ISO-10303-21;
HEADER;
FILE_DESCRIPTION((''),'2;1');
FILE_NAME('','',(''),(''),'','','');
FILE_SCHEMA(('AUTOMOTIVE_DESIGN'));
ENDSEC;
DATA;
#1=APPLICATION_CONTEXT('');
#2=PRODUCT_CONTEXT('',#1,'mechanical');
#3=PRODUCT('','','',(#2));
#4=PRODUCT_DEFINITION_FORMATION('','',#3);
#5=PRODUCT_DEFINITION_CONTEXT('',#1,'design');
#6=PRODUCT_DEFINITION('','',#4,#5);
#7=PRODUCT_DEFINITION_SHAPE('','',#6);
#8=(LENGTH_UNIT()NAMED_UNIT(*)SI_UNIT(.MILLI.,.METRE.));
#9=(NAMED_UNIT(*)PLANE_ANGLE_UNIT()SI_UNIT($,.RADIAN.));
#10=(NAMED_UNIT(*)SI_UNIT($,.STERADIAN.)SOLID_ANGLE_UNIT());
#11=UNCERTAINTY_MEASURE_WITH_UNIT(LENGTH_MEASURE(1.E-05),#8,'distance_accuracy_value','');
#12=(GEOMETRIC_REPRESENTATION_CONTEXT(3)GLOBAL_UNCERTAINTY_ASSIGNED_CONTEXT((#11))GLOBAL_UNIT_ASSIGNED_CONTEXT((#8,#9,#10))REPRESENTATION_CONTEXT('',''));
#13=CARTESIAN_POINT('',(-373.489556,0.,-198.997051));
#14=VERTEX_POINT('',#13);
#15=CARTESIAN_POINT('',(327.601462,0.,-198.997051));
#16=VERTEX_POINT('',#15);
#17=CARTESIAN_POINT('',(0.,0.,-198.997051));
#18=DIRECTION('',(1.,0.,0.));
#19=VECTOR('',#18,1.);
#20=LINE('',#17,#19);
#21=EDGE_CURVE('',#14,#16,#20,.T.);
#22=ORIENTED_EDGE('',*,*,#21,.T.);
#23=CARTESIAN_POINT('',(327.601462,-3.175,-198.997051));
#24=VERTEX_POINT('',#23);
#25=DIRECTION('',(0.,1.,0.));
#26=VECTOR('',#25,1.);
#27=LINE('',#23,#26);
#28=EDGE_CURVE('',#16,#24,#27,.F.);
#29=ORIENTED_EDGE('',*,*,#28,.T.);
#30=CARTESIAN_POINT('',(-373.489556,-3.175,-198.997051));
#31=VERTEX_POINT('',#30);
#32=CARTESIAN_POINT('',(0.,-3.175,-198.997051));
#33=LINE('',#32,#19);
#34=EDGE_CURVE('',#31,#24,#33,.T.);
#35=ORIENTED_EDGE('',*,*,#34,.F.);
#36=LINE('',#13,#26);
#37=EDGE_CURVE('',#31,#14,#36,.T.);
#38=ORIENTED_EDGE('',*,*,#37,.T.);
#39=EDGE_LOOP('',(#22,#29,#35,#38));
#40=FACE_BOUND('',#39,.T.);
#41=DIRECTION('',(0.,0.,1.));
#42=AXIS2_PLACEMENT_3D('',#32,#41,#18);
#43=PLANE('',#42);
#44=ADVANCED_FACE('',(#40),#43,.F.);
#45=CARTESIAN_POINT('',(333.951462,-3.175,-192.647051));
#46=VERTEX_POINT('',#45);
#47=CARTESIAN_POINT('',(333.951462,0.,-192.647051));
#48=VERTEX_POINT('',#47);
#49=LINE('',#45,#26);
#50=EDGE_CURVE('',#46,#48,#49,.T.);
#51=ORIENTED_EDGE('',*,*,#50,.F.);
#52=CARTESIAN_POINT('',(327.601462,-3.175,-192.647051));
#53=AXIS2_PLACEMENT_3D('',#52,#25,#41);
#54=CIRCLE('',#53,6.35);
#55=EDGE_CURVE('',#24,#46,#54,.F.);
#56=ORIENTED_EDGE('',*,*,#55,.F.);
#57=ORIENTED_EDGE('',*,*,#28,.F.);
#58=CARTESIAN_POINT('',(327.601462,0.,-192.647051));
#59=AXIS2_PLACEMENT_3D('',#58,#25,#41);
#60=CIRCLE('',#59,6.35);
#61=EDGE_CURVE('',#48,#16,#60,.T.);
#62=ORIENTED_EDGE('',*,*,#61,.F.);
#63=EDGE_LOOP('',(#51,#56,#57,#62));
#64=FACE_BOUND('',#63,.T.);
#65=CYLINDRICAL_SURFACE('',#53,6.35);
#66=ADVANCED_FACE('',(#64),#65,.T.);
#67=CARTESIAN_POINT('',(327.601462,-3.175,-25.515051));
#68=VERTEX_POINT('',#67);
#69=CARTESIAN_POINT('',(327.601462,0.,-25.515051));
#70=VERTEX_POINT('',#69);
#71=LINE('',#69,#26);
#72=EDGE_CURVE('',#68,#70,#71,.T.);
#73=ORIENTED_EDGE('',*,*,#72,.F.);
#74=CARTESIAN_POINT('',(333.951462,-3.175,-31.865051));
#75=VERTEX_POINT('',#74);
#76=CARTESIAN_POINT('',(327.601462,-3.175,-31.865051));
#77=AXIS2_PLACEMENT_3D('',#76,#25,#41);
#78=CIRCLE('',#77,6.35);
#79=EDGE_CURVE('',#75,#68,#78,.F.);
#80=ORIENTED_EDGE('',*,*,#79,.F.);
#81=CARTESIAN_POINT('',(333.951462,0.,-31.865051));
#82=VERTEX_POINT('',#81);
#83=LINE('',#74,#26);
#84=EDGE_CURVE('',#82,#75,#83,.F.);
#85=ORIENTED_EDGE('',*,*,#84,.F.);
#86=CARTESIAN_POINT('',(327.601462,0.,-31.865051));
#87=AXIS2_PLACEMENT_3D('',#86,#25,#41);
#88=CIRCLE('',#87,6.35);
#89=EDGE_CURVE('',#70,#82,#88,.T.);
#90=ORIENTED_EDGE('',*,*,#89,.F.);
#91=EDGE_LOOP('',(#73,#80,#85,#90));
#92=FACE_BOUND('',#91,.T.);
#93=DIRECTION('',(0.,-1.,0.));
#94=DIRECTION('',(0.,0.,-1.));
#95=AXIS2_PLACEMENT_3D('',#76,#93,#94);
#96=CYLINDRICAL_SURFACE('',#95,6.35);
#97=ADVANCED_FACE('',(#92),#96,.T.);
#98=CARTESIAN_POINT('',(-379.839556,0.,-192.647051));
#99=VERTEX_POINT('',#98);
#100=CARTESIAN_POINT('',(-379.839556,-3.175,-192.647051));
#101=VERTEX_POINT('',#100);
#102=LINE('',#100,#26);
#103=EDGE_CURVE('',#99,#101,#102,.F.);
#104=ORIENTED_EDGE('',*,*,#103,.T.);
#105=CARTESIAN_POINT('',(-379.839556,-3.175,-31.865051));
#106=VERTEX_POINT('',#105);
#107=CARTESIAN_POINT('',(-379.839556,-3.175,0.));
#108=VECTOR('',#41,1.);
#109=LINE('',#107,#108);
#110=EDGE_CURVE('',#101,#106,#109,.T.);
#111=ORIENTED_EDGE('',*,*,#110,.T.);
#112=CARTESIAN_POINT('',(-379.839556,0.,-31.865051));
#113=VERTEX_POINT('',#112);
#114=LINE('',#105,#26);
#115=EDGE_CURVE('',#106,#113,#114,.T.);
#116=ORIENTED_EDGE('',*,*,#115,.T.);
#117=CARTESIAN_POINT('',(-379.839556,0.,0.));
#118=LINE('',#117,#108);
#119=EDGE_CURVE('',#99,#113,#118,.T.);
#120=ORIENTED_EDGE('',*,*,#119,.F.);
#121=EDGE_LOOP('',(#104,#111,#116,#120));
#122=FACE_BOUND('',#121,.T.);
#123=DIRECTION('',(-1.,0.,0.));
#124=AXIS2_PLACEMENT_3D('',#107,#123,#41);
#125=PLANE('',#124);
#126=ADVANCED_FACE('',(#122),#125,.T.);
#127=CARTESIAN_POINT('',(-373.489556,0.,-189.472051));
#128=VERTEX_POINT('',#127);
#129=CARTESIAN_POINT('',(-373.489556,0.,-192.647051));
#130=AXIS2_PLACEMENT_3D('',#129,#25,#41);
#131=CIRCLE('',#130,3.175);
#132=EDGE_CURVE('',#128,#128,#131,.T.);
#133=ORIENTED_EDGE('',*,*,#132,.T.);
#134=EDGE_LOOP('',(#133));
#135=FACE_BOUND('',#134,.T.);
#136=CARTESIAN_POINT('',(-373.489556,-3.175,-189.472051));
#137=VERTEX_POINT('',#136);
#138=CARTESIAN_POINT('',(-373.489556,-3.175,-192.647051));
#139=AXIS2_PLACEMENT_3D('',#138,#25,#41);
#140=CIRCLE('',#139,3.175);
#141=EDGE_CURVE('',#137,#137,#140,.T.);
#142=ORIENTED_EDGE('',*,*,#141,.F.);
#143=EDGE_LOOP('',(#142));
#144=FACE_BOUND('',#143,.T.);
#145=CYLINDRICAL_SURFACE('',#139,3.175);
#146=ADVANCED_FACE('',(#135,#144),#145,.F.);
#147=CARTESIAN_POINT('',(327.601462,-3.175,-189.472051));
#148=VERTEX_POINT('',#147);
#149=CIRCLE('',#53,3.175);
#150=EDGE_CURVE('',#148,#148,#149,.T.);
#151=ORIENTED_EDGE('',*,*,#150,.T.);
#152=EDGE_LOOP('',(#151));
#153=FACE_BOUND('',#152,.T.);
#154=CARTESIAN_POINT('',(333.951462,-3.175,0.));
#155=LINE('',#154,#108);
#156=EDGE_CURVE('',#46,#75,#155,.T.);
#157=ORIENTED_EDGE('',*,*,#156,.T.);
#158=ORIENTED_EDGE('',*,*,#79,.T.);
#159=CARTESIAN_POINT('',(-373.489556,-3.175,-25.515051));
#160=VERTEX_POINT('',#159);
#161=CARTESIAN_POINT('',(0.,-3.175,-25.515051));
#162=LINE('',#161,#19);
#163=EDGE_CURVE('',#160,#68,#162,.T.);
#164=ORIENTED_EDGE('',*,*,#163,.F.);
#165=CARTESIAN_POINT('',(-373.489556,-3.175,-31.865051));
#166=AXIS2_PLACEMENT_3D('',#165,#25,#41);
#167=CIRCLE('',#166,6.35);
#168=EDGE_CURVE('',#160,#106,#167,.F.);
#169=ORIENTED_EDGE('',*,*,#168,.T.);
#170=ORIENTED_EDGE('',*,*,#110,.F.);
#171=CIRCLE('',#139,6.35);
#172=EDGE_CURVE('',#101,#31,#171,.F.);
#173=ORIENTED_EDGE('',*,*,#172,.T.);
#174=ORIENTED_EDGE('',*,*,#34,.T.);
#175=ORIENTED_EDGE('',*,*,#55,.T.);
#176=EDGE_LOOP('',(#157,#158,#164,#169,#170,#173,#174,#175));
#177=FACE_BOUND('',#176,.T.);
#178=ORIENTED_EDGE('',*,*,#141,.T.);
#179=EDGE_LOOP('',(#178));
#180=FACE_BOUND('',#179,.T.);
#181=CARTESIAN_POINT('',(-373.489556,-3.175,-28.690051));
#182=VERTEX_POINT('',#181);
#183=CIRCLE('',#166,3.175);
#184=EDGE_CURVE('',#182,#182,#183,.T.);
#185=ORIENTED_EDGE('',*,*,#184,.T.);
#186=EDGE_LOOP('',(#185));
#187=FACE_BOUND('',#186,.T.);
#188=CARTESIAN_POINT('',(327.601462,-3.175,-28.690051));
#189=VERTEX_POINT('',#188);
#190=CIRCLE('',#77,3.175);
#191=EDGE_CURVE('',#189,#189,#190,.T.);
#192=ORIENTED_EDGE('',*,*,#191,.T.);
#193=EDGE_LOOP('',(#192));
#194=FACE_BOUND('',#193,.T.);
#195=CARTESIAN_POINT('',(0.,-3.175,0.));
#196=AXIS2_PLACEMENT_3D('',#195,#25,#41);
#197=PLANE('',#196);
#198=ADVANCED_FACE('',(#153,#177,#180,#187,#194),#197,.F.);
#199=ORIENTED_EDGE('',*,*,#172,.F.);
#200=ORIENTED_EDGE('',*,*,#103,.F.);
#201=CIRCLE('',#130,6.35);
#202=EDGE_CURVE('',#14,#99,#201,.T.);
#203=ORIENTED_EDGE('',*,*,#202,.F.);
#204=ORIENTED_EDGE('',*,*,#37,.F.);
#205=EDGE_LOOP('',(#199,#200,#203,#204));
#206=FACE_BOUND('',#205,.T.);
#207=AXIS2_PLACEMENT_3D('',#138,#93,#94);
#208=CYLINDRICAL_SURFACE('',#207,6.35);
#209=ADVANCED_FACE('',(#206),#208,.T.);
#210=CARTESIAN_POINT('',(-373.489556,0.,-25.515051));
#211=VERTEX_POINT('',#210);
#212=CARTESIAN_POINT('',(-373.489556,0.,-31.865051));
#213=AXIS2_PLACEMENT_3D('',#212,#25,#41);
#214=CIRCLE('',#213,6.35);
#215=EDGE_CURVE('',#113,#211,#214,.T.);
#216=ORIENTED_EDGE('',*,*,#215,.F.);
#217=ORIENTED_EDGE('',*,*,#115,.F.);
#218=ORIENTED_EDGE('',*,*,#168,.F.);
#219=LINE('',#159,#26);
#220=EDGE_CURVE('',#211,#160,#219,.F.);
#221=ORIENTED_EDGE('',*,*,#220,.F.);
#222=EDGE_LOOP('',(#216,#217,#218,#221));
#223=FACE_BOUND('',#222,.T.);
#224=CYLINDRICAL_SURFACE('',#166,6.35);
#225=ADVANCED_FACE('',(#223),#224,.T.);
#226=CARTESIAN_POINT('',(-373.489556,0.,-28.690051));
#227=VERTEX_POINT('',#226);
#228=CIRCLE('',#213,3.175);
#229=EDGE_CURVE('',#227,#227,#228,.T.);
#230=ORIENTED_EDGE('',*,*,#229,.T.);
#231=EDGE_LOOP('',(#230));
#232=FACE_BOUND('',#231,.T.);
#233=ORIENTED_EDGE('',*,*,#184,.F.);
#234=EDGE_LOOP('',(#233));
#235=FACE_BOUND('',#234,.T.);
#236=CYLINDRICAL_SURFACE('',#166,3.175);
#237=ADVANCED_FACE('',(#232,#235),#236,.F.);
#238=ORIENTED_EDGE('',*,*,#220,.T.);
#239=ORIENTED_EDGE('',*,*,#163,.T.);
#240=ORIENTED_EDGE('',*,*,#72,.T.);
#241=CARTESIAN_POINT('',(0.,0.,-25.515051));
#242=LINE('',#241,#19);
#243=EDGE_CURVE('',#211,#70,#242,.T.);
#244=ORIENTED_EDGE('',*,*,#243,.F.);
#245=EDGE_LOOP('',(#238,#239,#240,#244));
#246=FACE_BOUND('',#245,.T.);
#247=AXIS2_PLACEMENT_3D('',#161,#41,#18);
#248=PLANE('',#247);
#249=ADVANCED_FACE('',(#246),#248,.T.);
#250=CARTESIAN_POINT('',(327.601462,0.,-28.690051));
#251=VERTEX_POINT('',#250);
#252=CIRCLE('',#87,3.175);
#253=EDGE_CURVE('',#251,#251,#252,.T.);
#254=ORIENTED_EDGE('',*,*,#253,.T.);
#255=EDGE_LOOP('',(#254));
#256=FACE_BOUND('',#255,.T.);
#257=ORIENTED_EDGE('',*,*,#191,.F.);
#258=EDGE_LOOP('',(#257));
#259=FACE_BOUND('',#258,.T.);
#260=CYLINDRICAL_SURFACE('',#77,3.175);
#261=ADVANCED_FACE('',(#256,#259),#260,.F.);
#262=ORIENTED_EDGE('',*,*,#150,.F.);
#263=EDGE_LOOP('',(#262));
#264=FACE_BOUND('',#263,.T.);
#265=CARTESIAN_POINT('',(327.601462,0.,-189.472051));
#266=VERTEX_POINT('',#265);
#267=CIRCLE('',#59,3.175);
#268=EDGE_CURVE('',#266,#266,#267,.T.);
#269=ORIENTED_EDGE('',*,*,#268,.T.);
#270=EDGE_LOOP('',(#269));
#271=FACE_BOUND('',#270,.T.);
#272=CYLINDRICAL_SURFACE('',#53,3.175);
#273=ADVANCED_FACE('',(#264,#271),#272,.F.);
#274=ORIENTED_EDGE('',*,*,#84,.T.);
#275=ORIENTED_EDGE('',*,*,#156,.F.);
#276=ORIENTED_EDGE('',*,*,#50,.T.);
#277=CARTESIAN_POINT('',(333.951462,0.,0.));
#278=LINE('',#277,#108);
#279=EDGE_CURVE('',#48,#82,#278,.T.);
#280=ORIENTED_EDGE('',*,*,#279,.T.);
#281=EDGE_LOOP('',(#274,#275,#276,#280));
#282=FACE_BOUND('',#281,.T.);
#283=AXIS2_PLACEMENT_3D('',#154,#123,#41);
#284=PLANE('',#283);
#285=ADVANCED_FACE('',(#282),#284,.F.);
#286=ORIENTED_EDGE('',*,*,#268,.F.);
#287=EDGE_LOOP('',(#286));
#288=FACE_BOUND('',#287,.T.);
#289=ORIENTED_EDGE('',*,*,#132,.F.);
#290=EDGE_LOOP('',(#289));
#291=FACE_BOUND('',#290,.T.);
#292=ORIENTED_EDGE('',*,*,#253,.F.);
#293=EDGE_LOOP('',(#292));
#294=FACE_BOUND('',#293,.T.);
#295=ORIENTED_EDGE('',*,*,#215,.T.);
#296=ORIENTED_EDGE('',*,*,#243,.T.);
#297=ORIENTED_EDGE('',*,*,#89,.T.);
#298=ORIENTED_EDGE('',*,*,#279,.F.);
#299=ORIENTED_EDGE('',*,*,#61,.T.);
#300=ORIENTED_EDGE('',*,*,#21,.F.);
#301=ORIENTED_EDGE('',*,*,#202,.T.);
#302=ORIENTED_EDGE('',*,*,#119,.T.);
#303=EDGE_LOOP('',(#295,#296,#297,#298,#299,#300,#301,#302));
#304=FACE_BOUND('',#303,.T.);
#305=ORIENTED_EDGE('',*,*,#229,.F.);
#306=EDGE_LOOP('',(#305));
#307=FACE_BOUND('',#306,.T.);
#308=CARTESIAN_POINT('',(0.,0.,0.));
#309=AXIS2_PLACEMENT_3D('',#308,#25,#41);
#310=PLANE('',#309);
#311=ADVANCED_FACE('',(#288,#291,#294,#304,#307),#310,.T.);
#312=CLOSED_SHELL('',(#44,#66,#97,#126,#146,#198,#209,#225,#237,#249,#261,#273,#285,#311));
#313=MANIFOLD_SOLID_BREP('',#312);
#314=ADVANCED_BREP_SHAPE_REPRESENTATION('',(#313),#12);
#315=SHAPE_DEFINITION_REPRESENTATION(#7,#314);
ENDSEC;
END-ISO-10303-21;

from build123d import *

# Parameters (mm, degrees)
SKETCH1_W           = 713.791017653
SKETCH1_H           = 173.482
SKETCH1_R           = 3.175
BOSS_EXTRUDE1_DEPTH = 3.175
FILLET1_R           = 6.35


with BuildPart() as part:
    # Sketch1 → Boss-Extrude1 (new body)
    with BuildSketch(Plane(origin=(0, 0, 0), x_dir=(1, 0, 0), z_dir=(0, 1, 0))):
        with Locations((-22.944046964, 112.256050824)):
            Rectangle(SKETCH1_W, SKETCH1_H)
        with Locations((327.601461862, 192.647050824)):
            Circle(SKETCH1_R, mode=Mode.SUBTRACT)
        with Locations((327.601461862, 31.865050824)):
            Circle(SKETCH1_R, mode=Mode.SUBTRACT)
        with Locations((-373.489555791, 31.865050824)):
            Circle(SKETCH1_R, mode=Mode.SUBTRACT)
        with Locations((-373.489555791, 192.647050824)):
            Circle(SKETCH1_R, mode=Mode.SUBTRACT)
    extrude(amount=-BOSS_EXTRUDE1_DEPTH)

    # Fillet1
    fillet1_edges = [part.edges().sort_by_distance(p)[0] for p in [
        (333.951461862, -1.5875, -25.515050824),
        (-379.839555791, -1.5875, -25.515050824),
        (-379.839555791, -1.5875, -198.997050824),
        (333.951461862, -1.5875, -198.997050824),
    ]]
    fillet(fillet1_edges, radius=FILLET1_R)


solid = part.part
